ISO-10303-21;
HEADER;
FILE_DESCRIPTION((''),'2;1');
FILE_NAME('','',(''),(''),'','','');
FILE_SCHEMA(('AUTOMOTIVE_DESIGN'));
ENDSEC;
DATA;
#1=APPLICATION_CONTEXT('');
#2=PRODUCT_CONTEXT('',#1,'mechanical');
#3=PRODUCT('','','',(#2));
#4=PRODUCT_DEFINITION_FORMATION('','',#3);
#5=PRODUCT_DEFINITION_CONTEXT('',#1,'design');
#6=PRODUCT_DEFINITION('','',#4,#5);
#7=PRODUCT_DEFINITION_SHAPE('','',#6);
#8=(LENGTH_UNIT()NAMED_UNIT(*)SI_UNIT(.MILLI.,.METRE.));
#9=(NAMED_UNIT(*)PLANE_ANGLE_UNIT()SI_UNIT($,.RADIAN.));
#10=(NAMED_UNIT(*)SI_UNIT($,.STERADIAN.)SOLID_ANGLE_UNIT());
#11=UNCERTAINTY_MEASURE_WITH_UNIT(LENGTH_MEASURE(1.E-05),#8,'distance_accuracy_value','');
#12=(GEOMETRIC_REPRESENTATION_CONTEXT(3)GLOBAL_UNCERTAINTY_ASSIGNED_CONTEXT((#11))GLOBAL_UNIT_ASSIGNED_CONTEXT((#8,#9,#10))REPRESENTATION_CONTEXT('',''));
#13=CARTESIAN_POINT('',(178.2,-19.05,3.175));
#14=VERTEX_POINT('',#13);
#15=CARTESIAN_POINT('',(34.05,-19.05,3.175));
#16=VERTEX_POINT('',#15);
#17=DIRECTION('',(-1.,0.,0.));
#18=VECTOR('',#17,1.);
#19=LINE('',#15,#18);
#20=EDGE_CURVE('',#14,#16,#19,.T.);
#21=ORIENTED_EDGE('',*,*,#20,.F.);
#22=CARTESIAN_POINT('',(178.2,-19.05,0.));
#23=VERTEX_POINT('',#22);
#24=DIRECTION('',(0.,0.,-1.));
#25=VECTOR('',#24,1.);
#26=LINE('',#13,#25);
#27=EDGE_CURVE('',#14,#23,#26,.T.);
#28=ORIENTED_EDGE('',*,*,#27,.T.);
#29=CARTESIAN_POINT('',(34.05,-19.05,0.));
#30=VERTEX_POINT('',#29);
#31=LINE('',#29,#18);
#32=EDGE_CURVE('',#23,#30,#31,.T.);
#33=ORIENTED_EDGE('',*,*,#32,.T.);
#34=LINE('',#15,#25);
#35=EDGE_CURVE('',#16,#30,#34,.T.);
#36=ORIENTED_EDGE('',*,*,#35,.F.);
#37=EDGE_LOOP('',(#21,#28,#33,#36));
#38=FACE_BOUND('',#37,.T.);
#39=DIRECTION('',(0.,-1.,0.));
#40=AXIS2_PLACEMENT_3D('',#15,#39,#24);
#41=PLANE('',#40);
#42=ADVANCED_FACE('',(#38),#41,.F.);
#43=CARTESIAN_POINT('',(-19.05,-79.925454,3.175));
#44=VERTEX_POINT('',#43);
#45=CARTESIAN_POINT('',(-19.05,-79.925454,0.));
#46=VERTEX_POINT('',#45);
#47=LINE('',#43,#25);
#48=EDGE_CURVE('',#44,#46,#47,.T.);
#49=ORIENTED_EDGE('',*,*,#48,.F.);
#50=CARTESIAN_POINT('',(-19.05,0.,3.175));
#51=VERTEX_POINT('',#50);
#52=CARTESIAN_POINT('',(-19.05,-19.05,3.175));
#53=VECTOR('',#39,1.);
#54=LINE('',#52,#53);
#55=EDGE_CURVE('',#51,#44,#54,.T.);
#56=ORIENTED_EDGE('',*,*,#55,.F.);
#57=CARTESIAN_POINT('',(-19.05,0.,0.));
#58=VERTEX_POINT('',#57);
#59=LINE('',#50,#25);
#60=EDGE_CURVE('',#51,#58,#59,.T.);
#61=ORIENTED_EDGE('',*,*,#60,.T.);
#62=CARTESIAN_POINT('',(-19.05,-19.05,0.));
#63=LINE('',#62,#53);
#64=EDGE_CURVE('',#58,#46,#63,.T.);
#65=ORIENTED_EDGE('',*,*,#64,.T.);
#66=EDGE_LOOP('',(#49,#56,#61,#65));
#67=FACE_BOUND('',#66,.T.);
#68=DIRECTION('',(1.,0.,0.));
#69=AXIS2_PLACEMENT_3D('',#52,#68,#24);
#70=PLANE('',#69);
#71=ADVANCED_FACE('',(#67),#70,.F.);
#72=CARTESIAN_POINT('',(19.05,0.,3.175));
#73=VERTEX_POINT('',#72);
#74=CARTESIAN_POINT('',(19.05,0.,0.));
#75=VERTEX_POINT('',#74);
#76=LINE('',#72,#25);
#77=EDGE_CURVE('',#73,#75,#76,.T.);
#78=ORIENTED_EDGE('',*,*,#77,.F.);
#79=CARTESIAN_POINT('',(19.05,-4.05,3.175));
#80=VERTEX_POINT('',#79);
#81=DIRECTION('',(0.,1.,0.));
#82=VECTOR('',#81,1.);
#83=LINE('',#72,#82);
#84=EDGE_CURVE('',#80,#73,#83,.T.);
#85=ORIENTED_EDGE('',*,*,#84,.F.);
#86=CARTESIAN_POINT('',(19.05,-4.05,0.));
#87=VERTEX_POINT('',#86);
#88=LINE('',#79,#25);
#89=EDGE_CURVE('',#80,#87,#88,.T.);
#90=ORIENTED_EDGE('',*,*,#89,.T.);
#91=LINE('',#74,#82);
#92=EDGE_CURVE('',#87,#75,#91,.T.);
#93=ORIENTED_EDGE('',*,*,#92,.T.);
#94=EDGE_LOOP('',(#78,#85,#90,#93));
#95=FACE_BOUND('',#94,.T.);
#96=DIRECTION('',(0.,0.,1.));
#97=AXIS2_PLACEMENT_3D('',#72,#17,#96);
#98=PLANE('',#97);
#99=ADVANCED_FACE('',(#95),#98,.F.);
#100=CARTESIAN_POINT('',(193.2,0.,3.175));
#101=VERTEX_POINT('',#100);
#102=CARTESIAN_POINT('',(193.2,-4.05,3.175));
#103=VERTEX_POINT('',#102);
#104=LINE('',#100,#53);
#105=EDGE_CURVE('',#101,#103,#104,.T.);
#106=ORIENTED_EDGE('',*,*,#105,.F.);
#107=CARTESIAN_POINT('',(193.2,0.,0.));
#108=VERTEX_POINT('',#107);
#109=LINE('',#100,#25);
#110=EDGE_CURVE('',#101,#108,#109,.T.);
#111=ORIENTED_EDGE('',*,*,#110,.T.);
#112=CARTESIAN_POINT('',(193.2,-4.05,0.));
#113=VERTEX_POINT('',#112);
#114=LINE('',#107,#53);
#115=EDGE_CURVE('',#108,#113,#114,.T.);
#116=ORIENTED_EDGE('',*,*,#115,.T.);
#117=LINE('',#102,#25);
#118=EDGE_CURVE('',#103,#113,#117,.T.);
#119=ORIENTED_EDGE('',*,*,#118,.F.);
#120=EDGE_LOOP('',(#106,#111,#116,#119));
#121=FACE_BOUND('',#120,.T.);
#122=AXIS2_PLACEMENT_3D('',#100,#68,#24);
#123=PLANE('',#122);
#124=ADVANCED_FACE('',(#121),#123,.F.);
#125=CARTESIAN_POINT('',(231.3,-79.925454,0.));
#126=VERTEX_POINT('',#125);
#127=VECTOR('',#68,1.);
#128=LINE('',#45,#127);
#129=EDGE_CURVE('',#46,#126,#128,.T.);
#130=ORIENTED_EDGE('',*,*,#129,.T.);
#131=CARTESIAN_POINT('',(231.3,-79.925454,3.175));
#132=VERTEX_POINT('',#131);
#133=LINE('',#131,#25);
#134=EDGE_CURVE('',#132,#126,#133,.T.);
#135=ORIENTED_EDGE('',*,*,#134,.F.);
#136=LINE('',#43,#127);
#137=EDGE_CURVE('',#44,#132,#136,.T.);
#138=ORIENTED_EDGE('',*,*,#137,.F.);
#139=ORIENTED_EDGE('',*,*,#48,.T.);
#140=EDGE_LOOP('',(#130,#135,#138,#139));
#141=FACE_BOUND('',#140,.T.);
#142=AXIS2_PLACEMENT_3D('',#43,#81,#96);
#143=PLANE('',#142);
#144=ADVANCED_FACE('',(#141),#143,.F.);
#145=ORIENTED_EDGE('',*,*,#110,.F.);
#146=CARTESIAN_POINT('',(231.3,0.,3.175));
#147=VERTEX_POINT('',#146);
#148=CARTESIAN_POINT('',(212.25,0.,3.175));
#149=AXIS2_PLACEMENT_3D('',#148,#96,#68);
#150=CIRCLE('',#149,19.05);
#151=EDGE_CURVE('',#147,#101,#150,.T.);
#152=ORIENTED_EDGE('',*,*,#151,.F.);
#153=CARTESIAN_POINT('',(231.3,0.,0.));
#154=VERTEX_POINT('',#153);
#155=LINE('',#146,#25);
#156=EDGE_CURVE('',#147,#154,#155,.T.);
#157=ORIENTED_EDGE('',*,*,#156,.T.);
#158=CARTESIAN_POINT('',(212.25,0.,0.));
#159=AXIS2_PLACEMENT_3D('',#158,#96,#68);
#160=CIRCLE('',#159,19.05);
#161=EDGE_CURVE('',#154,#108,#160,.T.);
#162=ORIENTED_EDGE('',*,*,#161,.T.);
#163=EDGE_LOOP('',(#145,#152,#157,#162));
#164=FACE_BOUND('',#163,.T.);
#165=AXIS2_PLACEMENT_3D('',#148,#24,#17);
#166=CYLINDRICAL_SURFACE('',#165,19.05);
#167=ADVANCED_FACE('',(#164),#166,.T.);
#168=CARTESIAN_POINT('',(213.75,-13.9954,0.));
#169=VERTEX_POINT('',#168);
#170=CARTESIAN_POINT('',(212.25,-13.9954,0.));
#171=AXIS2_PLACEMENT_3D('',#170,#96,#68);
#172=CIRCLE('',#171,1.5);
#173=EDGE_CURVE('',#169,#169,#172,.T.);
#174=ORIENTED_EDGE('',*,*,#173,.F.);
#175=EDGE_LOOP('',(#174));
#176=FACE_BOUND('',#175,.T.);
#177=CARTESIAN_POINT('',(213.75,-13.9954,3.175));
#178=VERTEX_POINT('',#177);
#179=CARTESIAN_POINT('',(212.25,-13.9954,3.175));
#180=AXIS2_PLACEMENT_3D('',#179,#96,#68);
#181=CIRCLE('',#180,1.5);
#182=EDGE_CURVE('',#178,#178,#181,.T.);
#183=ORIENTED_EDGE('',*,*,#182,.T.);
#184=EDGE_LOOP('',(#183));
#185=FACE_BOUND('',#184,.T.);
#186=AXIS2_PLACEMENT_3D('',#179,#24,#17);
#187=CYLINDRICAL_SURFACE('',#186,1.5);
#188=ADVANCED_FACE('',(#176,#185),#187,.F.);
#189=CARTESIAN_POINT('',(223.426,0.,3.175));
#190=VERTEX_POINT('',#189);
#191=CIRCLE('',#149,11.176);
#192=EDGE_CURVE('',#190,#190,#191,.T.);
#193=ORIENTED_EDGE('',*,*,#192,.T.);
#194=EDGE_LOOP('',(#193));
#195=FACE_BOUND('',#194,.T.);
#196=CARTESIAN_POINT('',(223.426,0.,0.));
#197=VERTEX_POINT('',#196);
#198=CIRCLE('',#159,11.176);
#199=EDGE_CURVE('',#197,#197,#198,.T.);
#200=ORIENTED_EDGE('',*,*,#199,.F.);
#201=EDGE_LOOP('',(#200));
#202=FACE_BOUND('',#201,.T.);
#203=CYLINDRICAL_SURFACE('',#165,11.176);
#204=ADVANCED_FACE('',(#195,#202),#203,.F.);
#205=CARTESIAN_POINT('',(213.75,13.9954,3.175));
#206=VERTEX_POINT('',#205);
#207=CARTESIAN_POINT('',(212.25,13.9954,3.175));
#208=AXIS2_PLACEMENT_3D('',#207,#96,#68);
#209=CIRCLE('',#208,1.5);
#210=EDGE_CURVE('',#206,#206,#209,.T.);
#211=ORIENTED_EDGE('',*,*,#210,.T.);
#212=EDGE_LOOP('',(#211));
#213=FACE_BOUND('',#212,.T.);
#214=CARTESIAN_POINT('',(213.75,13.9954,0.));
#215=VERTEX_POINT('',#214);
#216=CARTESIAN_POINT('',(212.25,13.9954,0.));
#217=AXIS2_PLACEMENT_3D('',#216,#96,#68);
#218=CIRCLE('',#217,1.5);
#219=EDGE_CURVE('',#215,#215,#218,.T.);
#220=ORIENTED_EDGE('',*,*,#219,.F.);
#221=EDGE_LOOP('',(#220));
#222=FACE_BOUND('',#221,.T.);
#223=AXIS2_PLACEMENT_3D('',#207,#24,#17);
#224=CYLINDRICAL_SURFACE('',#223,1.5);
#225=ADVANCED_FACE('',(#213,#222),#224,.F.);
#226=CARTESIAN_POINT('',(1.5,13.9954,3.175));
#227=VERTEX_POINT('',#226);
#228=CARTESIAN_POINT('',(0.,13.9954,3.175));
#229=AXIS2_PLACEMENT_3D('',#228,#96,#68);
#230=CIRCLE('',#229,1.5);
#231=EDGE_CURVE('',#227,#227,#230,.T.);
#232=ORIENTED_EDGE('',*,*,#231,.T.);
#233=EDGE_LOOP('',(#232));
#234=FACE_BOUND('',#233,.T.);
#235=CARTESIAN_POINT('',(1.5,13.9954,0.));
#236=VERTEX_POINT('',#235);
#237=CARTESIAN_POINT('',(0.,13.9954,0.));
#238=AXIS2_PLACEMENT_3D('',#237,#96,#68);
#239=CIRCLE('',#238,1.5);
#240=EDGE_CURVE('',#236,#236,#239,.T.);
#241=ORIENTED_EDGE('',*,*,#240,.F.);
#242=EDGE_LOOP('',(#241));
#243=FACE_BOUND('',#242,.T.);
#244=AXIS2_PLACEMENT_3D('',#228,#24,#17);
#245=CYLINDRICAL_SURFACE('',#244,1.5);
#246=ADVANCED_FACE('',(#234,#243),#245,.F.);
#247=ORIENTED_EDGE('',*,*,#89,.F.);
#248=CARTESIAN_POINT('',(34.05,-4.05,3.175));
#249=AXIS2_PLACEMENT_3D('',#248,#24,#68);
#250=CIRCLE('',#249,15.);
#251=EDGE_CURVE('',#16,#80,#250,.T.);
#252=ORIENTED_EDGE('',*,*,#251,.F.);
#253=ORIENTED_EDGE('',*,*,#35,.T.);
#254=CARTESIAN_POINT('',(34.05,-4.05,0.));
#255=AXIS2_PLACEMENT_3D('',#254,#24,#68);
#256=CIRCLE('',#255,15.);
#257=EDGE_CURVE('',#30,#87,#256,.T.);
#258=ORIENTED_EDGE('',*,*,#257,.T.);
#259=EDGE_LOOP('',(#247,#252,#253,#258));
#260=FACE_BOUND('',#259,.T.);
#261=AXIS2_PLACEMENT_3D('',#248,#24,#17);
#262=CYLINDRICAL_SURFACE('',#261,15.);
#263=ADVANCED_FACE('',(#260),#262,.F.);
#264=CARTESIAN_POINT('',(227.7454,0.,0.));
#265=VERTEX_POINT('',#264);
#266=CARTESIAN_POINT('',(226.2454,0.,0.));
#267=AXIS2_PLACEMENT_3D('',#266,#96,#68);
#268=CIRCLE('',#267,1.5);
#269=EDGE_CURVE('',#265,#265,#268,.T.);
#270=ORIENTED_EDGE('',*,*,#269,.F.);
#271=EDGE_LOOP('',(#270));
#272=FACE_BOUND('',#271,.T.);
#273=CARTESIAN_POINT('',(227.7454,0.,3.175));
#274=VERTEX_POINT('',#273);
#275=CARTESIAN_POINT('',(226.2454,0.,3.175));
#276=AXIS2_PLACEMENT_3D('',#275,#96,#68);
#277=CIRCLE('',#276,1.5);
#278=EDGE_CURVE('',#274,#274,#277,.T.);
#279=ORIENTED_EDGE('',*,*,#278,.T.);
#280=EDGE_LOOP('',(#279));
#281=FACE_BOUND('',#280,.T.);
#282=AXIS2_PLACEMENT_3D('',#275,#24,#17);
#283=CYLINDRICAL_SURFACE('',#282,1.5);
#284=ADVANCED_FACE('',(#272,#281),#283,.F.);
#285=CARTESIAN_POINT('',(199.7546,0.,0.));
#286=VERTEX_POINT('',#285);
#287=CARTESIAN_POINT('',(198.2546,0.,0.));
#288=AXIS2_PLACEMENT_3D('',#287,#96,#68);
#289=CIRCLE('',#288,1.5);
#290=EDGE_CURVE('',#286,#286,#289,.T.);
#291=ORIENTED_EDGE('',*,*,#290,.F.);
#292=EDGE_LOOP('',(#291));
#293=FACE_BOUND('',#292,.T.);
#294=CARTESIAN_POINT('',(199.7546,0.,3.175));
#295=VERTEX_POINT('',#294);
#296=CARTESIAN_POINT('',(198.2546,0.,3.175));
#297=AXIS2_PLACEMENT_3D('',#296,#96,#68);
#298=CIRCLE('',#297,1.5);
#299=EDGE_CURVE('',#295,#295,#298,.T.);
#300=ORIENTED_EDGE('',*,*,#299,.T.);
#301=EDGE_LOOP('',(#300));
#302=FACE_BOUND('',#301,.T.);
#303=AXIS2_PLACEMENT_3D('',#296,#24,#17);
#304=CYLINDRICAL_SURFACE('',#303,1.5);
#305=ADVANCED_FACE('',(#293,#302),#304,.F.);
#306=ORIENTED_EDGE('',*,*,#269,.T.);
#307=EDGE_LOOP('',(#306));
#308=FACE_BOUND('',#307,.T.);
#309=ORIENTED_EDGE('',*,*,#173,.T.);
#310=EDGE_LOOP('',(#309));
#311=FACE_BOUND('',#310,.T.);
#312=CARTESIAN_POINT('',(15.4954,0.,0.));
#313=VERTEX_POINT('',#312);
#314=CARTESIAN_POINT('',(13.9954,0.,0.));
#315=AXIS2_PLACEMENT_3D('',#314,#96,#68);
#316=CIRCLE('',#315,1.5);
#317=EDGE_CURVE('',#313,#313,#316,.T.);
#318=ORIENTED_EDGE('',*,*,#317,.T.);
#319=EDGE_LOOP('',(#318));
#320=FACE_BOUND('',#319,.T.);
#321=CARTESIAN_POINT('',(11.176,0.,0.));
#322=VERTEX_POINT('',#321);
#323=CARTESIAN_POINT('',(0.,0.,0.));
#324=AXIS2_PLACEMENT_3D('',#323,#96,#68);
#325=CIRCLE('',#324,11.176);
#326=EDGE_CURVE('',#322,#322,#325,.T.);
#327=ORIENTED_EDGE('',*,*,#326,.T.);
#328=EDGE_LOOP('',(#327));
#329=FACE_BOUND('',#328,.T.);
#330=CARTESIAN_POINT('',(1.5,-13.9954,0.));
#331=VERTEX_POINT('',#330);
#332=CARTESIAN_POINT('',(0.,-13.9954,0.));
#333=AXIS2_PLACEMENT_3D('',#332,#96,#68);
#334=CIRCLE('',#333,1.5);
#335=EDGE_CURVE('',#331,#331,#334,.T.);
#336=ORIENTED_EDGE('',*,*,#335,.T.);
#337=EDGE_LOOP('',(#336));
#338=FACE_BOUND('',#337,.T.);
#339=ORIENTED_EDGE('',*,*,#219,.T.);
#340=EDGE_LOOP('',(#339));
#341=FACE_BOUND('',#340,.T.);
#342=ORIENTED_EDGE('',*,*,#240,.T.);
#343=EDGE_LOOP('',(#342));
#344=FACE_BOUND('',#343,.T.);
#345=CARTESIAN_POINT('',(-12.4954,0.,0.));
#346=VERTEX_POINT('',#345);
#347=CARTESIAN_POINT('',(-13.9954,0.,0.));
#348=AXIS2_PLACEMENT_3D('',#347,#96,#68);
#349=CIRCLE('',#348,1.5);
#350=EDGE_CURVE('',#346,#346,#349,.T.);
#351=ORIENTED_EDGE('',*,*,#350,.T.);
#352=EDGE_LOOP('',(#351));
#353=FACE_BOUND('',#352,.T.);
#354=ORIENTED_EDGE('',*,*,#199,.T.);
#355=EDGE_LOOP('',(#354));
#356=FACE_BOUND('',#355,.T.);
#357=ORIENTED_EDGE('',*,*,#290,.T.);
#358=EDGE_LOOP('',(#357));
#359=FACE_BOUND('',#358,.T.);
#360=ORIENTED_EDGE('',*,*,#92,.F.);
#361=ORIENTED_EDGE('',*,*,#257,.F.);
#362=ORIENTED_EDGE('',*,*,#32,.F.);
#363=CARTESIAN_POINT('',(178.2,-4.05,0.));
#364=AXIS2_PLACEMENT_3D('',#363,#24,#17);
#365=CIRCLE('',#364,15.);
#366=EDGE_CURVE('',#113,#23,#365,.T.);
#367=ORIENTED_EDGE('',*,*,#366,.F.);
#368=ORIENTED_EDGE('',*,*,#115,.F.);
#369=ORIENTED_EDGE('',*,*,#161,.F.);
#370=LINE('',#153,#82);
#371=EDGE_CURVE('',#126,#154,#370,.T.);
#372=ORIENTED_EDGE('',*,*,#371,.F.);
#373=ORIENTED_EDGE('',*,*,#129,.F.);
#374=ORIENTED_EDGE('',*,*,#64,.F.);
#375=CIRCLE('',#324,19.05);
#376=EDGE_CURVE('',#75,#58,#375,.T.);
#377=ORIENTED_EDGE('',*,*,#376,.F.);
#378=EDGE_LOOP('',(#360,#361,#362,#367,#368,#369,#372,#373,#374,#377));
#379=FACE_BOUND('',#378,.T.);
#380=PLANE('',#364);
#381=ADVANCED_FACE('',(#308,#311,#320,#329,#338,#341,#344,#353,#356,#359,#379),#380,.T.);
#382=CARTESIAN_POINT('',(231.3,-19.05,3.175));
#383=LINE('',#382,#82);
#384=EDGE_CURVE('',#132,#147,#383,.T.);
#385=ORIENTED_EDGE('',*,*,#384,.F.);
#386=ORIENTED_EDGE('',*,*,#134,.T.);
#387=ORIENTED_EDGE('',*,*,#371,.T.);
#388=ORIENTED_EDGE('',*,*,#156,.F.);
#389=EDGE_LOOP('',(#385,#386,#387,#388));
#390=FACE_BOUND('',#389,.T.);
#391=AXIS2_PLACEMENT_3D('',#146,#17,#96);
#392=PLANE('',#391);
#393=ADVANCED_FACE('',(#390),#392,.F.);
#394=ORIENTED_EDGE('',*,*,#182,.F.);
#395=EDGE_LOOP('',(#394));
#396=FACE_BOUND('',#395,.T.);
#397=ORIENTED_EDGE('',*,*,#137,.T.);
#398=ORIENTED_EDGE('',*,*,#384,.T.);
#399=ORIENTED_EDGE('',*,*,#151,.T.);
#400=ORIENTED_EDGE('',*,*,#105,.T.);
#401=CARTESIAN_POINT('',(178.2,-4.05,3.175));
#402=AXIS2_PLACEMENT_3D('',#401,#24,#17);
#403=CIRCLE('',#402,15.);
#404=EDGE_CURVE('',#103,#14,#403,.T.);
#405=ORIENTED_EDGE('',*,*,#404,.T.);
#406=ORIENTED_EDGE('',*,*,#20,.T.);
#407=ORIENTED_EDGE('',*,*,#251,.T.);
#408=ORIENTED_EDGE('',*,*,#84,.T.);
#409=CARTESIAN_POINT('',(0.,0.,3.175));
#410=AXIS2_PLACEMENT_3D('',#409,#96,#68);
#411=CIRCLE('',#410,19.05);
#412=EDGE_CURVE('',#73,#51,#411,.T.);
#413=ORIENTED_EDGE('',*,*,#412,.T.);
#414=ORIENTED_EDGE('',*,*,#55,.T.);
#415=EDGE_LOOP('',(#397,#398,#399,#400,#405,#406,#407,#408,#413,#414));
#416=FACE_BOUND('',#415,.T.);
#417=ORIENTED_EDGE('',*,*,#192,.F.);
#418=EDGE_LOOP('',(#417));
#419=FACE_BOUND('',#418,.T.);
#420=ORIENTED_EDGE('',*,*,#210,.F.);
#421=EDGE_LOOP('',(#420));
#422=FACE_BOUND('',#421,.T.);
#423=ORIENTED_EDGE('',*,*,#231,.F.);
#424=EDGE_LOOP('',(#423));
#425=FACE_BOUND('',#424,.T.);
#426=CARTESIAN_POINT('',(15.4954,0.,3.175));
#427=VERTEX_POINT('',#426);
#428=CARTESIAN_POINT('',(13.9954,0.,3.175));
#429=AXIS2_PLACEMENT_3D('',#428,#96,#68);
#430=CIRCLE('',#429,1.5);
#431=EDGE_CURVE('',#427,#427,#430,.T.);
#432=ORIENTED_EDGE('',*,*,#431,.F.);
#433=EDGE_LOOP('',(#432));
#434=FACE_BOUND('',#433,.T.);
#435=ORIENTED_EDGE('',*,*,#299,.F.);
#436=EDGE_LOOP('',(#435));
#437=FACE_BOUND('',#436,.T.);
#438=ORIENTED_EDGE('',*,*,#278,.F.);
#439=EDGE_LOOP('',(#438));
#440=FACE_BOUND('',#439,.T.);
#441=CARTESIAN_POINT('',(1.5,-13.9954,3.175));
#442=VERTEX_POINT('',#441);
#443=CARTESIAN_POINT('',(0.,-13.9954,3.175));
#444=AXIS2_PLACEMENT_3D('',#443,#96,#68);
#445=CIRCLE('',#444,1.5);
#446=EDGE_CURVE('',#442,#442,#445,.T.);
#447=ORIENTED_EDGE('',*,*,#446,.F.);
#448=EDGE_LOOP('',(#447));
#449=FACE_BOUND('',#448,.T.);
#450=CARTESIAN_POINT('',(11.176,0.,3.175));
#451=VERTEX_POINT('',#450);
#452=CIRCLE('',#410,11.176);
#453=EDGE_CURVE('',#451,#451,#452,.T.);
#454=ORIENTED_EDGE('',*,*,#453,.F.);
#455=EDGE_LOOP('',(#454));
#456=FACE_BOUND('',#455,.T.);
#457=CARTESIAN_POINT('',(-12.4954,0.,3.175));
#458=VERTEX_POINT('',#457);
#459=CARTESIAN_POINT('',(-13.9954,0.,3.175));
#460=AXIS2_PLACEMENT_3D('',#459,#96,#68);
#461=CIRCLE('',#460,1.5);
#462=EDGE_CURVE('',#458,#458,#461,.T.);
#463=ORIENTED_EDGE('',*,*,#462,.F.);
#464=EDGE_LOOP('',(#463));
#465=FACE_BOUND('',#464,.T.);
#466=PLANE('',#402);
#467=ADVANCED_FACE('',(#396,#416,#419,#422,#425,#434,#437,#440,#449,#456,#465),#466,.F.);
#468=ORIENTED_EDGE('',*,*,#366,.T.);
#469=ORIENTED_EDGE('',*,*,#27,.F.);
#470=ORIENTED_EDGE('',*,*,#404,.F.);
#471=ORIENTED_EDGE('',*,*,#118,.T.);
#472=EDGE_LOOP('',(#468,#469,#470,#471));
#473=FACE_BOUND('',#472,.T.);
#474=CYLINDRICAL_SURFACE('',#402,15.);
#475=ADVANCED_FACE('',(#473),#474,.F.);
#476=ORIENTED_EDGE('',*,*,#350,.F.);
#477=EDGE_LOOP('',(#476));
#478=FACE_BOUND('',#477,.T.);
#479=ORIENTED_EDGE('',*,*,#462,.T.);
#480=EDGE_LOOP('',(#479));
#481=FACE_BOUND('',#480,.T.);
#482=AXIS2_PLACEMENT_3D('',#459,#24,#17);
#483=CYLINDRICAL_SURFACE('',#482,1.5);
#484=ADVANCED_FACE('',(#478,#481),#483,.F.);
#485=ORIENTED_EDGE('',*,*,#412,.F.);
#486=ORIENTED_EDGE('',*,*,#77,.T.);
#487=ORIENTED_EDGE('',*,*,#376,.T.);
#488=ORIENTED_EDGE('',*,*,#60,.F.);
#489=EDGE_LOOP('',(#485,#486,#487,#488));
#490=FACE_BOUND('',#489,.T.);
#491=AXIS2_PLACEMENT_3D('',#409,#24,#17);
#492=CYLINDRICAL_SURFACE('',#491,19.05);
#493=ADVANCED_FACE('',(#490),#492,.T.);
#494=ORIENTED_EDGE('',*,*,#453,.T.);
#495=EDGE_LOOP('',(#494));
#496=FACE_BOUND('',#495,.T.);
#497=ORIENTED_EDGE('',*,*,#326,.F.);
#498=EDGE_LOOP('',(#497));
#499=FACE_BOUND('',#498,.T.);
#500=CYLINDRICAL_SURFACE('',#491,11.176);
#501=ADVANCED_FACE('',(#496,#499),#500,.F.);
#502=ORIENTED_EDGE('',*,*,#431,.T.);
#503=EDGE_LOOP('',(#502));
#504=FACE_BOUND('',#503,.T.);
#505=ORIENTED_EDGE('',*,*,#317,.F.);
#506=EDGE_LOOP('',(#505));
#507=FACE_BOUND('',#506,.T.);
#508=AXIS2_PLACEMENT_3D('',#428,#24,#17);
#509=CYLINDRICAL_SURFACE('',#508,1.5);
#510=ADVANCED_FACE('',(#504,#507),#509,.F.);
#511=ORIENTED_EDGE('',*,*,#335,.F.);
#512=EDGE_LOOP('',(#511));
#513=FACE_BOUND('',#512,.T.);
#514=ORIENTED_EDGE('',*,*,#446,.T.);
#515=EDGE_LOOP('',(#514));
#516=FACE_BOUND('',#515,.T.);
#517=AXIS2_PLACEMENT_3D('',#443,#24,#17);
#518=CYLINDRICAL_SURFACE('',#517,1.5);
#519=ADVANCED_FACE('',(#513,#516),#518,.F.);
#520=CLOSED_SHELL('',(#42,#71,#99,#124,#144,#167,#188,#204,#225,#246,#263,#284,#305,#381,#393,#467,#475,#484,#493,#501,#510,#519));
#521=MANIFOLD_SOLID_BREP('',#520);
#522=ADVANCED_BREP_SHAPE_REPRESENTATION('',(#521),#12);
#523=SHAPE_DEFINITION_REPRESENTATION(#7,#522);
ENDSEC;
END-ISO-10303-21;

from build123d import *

# Parameters (mm, degrees)
SKETCH1_R           = 11.176
SKETCH1_R_2         = 1.5
BOSS_EXTRUDE1_DEPTH = 3.175


with BuildPart() as part:
    # Sketch1 → Boss-Extrude1 (new body)
    with BuildSketch(Plane.XY):
        with BuildLine():
            Line((-19.05, -19.05), (-19.05, 0))
            ThreePointArc((-19.05, 0), (0, 19.05), (19.05, 0))
            Line((19.05, 0), (19.05, -4.05))
            ThreePointArc((19.05, -4.05), (23.443398282, -14.656601718), (34.05, -19.05))
            Line((34.05, -19.05), (178.2, -19.05))
            ThreePointArc((178.2, -19.05), (188.806601718, -14.656601718), (193.2, -4.05))
            Line((193.2, -4.05), (193.2, 0))
            ThreePointArc((193.2, 0), (212.25, 19.05), (231.3, 0))
            Line((231.3, 0), (231.3, -19.05))
            Line((231.3, -19.05), (231.3, -79.925453532))
            Line((231.3, -79.925453532), (-19.05, -79.925453532))
            Line((-19.05, -79.925453532), (-19.05, -19.05))
        make_face()
        Circle(SKETCH1_R, mode=Mode.SUBTRACT)
        with Locations((212.25, 0)):
            Circle(SKETCH1_R, mode=Mode.SUBTRACT)
        with Locations((0, 13.9954)):
            Circle(SKETCH1_R_2, mode=Mode.SUBTRACT)
        with Locations((212.25, 13.9954)):
            Circle(SKETCH1_R_2, mode=Mode.SUBTRACT)
        with Locations((13.9954, 0)):
            Circle(SKETCH1_R_2, mode=Mode.SUBTRACT)
        with Locations((0, -13.9954)):
            Circle(SKETCH1_R_2, mode=Mode.SUBTRACT)
        with Locations((-13.9954, 0)):
            Circle(SKETCH1_R_2, mode=Mode.SUBTRACT)
        with Locations((198.2546, 0)):
            Circle(SKETCH1_R_2, mode=Mode.SUBTRACT)
        with Locations((212.25, -13.9954)):
            Circle(SKETCH1_R_2, mode=Mode.SUBTRACT)
        with Locations((226.2454, 0)):
            Circle(SKETCH1_R_2, mode=Mode.SUBTRACT)
    extrude(amount=BOSS_EXTRUDE1_DEPTH)


solid = part.part
